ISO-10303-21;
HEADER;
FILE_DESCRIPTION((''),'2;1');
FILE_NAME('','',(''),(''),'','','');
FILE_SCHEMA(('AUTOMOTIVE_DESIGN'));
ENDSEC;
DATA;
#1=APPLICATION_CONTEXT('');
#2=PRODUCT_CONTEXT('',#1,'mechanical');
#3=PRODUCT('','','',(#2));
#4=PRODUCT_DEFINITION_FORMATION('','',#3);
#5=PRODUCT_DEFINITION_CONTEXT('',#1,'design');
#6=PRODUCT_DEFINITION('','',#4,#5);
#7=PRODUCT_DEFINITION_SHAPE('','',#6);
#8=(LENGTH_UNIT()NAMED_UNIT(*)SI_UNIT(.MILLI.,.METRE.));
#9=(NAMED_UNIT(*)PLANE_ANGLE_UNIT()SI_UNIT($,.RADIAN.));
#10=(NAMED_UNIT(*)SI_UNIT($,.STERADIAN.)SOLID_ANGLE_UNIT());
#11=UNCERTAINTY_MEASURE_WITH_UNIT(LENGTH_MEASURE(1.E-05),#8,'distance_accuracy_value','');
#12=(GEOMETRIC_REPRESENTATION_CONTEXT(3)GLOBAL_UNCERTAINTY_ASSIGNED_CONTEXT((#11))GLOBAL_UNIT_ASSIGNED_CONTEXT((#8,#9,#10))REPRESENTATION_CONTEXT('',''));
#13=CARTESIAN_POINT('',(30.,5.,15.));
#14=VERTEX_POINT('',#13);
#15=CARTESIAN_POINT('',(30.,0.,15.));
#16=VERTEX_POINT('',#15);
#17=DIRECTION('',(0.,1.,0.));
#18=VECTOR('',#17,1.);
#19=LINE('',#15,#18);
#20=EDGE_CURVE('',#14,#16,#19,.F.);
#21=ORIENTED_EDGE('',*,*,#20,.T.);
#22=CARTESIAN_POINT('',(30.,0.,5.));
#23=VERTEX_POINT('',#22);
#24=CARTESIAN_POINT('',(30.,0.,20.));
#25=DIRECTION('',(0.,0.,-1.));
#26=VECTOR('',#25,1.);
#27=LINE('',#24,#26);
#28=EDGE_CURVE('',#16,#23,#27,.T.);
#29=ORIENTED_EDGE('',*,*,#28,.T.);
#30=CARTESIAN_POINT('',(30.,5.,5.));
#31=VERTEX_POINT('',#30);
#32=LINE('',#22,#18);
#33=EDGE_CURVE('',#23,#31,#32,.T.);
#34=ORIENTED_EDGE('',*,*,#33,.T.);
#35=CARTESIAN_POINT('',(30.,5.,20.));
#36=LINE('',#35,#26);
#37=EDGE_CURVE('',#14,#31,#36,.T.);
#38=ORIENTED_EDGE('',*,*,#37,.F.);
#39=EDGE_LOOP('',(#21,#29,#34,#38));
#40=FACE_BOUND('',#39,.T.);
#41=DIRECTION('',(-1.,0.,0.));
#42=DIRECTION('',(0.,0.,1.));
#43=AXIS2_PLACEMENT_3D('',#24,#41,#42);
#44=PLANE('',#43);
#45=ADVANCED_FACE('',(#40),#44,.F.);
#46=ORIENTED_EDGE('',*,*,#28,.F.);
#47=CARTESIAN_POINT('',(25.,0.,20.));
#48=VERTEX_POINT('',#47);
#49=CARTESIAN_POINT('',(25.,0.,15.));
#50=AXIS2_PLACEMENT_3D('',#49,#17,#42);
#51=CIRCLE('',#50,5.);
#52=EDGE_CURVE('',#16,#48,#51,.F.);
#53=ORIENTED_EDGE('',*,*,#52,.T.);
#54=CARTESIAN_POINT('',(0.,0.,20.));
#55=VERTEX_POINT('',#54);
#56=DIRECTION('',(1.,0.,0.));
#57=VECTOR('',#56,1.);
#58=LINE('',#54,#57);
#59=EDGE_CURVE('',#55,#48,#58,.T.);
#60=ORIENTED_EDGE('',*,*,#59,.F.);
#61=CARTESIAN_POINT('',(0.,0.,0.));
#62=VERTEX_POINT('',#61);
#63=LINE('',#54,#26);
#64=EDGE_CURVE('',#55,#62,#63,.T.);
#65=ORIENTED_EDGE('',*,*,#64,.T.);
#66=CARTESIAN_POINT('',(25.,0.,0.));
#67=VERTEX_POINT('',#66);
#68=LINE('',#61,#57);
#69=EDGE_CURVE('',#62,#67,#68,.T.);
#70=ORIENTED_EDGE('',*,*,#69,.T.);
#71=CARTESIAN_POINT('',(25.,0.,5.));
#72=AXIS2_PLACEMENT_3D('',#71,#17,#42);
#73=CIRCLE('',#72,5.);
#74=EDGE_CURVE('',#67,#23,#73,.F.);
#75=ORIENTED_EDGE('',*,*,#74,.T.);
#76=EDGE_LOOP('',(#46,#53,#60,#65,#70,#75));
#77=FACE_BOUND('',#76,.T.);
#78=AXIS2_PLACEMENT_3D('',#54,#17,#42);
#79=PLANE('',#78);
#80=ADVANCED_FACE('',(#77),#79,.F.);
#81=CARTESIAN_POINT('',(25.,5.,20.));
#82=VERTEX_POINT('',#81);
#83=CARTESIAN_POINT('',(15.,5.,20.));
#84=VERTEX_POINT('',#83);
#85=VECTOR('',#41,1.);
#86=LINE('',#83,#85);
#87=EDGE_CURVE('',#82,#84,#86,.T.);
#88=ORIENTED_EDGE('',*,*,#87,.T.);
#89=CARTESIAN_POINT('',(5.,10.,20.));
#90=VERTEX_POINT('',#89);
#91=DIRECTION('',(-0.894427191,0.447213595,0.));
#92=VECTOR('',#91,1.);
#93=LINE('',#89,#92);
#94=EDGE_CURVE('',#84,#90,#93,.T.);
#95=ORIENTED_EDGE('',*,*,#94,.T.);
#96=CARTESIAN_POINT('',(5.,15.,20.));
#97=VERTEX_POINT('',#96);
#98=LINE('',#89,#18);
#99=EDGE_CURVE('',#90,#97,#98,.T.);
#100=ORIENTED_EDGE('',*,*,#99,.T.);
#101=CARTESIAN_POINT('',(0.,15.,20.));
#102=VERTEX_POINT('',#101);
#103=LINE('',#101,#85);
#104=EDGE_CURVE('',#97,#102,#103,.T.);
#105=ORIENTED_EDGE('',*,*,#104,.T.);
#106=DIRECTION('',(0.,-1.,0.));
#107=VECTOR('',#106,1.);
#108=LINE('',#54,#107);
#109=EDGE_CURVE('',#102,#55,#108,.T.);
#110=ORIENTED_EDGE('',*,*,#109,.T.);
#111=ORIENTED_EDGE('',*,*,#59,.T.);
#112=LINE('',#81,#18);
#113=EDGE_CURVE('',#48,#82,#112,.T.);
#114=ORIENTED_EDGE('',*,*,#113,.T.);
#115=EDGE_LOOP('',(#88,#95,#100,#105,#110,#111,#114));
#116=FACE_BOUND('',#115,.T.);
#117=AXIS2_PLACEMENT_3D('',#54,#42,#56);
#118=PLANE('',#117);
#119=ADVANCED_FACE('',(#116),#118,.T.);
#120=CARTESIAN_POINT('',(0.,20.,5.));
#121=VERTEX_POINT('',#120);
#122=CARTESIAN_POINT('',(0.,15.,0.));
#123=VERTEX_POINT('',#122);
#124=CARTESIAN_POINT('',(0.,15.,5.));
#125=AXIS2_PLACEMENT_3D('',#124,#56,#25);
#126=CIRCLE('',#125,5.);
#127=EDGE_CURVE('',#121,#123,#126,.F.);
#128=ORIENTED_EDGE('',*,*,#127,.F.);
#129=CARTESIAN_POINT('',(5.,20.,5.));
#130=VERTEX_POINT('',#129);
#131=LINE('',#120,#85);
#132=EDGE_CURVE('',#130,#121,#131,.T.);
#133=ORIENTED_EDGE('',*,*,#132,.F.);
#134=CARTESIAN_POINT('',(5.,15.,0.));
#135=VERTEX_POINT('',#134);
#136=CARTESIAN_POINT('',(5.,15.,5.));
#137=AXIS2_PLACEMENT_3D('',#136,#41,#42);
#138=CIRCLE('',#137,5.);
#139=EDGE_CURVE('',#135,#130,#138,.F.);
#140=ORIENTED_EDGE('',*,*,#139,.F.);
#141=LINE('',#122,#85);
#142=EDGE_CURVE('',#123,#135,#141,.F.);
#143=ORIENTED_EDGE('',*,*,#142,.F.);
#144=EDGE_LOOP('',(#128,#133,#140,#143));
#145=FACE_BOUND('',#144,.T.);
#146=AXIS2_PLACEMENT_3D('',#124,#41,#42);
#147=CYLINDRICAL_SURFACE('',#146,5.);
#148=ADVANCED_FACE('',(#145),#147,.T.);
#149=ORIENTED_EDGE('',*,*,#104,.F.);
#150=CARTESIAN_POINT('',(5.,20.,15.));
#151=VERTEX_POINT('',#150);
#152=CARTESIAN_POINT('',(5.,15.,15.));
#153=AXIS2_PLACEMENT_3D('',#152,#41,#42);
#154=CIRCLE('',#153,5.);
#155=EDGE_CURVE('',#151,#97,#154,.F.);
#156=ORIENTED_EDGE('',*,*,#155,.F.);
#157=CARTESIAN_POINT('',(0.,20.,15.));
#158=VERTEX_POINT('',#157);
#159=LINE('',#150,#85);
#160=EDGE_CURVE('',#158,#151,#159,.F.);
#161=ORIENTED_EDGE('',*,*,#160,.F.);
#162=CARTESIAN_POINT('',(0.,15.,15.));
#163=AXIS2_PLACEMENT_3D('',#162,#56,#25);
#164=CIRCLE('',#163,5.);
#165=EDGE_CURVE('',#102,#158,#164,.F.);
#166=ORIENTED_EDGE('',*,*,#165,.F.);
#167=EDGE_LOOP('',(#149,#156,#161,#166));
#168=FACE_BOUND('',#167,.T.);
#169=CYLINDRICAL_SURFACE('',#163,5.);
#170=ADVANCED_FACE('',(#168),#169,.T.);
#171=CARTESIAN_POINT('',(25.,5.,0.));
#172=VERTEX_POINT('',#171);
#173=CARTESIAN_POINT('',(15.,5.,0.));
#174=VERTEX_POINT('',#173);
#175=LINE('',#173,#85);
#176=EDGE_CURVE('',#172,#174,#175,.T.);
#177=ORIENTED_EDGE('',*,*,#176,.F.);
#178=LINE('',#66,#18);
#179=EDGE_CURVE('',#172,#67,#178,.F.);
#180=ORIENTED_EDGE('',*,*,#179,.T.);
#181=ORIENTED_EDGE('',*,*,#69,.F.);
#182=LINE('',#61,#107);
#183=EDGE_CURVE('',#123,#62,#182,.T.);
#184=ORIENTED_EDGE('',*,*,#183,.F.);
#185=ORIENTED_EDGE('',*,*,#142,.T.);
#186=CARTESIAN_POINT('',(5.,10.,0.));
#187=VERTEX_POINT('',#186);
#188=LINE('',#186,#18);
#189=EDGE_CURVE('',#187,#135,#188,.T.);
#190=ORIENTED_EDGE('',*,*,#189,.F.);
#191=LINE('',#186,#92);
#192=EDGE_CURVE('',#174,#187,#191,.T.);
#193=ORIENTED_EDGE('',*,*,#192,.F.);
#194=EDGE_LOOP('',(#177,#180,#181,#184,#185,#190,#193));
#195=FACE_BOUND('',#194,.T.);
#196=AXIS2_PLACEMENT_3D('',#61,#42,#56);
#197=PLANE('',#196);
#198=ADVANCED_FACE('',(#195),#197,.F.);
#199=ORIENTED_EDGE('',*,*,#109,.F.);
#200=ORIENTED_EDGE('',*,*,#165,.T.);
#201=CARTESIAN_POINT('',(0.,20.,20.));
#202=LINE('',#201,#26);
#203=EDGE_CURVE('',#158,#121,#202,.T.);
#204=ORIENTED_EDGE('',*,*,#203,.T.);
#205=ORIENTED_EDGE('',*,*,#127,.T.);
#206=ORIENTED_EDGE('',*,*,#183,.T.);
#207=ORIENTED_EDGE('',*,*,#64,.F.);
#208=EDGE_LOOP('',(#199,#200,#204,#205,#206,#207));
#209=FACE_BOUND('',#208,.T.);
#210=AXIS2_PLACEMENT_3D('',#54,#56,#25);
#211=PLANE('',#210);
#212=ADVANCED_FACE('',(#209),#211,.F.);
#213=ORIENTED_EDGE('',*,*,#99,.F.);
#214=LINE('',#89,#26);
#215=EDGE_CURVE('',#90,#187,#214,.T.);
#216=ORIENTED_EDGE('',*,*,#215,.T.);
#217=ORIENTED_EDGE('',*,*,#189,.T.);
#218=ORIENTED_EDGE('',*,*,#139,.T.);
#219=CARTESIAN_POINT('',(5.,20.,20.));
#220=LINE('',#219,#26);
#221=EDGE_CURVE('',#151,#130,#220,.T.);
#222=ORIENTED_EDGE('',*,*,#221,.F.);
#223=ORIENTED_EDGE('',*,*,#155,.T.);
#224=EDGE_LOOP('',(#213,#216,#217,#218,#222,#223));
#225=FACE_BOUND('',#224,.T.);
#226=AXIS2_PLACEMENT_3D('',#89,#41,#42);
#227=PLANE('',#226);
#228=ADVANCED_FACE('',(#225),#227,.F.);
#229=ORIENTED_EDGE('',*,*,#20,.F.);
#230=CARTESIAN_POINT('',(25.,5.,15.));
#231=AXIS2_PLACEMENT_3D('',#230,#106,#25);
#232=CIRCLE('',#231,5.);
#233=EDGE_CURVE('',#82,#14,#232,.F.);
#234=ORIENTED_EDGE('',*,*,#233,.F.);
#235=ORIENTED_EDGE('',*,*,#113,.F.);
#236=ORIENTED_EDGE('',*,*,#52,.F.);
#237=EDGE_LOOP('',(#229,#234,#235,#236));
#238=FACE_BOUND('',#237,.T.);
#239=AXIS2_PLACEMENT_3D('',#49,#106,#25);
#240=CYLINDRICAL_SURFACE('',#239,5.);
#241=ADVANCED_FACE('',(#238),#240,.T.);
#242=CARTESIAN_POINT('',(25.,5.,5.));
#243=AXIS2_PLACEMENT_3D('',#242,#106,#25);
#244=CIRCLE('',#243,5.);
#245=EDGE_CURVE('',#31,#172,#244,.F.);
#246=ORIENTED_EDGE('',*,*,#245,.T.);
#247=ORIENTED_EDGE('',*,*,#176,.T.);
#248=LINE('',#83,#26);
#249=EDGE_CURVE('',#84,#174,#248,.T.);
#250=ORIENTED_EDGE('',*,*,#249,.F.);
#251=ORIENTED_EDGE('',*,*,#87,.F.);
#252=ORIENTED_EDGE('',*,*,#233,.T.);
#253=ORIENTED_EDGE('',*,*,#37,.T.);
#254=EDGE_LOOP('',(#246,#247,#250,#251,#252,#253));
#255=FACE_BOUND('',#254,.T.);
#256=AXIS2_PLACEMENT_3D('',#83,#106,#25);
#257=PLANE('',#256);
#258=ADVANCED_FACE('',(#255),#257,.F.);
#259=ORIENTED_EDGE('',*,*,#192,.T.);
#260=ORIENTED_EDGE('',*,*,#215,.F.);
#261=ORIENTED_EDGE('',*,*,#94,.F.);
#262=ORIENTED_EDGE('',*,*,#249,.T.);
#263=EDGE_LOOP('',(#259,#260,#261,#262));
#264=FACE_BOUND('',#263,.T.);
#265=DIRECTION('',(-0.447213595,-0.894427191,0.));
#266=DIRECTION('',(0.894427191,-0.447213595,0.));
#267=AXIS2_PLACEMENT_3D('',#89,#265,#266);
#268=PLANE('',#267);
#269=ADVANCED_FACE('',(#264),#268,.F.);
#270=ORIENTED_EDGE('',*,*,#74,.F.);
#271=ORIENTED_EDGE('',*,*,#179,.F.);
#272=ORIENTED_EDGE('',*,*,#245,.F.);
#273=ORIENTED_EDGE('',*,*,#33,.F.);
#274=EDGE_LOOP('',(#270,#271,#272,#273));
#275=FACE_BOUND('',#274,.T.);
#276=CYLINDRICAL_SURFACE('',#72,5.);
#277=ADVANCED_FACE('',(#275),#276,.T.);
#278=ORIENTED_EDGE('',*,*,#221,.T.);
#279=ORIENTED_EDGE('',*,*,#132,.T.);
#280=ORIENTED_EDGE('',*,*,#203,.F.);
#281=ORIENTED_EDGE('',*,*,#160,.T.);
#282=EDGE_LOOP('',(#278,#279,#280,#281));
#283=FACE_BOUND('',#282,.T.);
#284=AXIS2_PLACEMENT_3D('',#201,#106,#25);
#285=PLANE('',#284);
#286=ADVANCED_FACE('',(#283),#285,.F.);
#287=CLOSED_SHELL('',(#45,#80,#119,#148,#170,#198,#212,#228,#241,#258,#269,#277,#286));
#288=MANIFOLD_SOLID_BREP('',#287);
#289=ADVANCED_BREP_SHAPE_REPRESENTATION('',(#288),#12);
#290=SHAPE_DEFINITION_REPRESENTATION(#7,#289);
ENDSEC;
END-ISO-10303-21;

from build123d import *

# Parameters (mm, degrees)
EXTRUDE_1_DEPTH = 20
FILLET_1_R      = 5


with BuildPart() as part:
    # 草圖1 → 填料-伸長1 (new body)
    with BuildSketch(Plane.XY):
        Polygon((5, 10), (15, 5), (30, 5), (30, 0), (0, 0), (0, 20), (5, 20), align=None)
    extrude(amount=EXTRUDE_1_DEPTH)

    # 圓角1
    fillet_1_edges = [part.edges().sort_by_distance(p)[0] for p in [
        (2.5, 20, 20),
        (30, 2.5, 20),
        (2.5, 20, 0),
        (30, 2.5, 0),
    ]]
    fillet(fillet_1_edges, radius=FILLET_1_R)


solid = part.part
